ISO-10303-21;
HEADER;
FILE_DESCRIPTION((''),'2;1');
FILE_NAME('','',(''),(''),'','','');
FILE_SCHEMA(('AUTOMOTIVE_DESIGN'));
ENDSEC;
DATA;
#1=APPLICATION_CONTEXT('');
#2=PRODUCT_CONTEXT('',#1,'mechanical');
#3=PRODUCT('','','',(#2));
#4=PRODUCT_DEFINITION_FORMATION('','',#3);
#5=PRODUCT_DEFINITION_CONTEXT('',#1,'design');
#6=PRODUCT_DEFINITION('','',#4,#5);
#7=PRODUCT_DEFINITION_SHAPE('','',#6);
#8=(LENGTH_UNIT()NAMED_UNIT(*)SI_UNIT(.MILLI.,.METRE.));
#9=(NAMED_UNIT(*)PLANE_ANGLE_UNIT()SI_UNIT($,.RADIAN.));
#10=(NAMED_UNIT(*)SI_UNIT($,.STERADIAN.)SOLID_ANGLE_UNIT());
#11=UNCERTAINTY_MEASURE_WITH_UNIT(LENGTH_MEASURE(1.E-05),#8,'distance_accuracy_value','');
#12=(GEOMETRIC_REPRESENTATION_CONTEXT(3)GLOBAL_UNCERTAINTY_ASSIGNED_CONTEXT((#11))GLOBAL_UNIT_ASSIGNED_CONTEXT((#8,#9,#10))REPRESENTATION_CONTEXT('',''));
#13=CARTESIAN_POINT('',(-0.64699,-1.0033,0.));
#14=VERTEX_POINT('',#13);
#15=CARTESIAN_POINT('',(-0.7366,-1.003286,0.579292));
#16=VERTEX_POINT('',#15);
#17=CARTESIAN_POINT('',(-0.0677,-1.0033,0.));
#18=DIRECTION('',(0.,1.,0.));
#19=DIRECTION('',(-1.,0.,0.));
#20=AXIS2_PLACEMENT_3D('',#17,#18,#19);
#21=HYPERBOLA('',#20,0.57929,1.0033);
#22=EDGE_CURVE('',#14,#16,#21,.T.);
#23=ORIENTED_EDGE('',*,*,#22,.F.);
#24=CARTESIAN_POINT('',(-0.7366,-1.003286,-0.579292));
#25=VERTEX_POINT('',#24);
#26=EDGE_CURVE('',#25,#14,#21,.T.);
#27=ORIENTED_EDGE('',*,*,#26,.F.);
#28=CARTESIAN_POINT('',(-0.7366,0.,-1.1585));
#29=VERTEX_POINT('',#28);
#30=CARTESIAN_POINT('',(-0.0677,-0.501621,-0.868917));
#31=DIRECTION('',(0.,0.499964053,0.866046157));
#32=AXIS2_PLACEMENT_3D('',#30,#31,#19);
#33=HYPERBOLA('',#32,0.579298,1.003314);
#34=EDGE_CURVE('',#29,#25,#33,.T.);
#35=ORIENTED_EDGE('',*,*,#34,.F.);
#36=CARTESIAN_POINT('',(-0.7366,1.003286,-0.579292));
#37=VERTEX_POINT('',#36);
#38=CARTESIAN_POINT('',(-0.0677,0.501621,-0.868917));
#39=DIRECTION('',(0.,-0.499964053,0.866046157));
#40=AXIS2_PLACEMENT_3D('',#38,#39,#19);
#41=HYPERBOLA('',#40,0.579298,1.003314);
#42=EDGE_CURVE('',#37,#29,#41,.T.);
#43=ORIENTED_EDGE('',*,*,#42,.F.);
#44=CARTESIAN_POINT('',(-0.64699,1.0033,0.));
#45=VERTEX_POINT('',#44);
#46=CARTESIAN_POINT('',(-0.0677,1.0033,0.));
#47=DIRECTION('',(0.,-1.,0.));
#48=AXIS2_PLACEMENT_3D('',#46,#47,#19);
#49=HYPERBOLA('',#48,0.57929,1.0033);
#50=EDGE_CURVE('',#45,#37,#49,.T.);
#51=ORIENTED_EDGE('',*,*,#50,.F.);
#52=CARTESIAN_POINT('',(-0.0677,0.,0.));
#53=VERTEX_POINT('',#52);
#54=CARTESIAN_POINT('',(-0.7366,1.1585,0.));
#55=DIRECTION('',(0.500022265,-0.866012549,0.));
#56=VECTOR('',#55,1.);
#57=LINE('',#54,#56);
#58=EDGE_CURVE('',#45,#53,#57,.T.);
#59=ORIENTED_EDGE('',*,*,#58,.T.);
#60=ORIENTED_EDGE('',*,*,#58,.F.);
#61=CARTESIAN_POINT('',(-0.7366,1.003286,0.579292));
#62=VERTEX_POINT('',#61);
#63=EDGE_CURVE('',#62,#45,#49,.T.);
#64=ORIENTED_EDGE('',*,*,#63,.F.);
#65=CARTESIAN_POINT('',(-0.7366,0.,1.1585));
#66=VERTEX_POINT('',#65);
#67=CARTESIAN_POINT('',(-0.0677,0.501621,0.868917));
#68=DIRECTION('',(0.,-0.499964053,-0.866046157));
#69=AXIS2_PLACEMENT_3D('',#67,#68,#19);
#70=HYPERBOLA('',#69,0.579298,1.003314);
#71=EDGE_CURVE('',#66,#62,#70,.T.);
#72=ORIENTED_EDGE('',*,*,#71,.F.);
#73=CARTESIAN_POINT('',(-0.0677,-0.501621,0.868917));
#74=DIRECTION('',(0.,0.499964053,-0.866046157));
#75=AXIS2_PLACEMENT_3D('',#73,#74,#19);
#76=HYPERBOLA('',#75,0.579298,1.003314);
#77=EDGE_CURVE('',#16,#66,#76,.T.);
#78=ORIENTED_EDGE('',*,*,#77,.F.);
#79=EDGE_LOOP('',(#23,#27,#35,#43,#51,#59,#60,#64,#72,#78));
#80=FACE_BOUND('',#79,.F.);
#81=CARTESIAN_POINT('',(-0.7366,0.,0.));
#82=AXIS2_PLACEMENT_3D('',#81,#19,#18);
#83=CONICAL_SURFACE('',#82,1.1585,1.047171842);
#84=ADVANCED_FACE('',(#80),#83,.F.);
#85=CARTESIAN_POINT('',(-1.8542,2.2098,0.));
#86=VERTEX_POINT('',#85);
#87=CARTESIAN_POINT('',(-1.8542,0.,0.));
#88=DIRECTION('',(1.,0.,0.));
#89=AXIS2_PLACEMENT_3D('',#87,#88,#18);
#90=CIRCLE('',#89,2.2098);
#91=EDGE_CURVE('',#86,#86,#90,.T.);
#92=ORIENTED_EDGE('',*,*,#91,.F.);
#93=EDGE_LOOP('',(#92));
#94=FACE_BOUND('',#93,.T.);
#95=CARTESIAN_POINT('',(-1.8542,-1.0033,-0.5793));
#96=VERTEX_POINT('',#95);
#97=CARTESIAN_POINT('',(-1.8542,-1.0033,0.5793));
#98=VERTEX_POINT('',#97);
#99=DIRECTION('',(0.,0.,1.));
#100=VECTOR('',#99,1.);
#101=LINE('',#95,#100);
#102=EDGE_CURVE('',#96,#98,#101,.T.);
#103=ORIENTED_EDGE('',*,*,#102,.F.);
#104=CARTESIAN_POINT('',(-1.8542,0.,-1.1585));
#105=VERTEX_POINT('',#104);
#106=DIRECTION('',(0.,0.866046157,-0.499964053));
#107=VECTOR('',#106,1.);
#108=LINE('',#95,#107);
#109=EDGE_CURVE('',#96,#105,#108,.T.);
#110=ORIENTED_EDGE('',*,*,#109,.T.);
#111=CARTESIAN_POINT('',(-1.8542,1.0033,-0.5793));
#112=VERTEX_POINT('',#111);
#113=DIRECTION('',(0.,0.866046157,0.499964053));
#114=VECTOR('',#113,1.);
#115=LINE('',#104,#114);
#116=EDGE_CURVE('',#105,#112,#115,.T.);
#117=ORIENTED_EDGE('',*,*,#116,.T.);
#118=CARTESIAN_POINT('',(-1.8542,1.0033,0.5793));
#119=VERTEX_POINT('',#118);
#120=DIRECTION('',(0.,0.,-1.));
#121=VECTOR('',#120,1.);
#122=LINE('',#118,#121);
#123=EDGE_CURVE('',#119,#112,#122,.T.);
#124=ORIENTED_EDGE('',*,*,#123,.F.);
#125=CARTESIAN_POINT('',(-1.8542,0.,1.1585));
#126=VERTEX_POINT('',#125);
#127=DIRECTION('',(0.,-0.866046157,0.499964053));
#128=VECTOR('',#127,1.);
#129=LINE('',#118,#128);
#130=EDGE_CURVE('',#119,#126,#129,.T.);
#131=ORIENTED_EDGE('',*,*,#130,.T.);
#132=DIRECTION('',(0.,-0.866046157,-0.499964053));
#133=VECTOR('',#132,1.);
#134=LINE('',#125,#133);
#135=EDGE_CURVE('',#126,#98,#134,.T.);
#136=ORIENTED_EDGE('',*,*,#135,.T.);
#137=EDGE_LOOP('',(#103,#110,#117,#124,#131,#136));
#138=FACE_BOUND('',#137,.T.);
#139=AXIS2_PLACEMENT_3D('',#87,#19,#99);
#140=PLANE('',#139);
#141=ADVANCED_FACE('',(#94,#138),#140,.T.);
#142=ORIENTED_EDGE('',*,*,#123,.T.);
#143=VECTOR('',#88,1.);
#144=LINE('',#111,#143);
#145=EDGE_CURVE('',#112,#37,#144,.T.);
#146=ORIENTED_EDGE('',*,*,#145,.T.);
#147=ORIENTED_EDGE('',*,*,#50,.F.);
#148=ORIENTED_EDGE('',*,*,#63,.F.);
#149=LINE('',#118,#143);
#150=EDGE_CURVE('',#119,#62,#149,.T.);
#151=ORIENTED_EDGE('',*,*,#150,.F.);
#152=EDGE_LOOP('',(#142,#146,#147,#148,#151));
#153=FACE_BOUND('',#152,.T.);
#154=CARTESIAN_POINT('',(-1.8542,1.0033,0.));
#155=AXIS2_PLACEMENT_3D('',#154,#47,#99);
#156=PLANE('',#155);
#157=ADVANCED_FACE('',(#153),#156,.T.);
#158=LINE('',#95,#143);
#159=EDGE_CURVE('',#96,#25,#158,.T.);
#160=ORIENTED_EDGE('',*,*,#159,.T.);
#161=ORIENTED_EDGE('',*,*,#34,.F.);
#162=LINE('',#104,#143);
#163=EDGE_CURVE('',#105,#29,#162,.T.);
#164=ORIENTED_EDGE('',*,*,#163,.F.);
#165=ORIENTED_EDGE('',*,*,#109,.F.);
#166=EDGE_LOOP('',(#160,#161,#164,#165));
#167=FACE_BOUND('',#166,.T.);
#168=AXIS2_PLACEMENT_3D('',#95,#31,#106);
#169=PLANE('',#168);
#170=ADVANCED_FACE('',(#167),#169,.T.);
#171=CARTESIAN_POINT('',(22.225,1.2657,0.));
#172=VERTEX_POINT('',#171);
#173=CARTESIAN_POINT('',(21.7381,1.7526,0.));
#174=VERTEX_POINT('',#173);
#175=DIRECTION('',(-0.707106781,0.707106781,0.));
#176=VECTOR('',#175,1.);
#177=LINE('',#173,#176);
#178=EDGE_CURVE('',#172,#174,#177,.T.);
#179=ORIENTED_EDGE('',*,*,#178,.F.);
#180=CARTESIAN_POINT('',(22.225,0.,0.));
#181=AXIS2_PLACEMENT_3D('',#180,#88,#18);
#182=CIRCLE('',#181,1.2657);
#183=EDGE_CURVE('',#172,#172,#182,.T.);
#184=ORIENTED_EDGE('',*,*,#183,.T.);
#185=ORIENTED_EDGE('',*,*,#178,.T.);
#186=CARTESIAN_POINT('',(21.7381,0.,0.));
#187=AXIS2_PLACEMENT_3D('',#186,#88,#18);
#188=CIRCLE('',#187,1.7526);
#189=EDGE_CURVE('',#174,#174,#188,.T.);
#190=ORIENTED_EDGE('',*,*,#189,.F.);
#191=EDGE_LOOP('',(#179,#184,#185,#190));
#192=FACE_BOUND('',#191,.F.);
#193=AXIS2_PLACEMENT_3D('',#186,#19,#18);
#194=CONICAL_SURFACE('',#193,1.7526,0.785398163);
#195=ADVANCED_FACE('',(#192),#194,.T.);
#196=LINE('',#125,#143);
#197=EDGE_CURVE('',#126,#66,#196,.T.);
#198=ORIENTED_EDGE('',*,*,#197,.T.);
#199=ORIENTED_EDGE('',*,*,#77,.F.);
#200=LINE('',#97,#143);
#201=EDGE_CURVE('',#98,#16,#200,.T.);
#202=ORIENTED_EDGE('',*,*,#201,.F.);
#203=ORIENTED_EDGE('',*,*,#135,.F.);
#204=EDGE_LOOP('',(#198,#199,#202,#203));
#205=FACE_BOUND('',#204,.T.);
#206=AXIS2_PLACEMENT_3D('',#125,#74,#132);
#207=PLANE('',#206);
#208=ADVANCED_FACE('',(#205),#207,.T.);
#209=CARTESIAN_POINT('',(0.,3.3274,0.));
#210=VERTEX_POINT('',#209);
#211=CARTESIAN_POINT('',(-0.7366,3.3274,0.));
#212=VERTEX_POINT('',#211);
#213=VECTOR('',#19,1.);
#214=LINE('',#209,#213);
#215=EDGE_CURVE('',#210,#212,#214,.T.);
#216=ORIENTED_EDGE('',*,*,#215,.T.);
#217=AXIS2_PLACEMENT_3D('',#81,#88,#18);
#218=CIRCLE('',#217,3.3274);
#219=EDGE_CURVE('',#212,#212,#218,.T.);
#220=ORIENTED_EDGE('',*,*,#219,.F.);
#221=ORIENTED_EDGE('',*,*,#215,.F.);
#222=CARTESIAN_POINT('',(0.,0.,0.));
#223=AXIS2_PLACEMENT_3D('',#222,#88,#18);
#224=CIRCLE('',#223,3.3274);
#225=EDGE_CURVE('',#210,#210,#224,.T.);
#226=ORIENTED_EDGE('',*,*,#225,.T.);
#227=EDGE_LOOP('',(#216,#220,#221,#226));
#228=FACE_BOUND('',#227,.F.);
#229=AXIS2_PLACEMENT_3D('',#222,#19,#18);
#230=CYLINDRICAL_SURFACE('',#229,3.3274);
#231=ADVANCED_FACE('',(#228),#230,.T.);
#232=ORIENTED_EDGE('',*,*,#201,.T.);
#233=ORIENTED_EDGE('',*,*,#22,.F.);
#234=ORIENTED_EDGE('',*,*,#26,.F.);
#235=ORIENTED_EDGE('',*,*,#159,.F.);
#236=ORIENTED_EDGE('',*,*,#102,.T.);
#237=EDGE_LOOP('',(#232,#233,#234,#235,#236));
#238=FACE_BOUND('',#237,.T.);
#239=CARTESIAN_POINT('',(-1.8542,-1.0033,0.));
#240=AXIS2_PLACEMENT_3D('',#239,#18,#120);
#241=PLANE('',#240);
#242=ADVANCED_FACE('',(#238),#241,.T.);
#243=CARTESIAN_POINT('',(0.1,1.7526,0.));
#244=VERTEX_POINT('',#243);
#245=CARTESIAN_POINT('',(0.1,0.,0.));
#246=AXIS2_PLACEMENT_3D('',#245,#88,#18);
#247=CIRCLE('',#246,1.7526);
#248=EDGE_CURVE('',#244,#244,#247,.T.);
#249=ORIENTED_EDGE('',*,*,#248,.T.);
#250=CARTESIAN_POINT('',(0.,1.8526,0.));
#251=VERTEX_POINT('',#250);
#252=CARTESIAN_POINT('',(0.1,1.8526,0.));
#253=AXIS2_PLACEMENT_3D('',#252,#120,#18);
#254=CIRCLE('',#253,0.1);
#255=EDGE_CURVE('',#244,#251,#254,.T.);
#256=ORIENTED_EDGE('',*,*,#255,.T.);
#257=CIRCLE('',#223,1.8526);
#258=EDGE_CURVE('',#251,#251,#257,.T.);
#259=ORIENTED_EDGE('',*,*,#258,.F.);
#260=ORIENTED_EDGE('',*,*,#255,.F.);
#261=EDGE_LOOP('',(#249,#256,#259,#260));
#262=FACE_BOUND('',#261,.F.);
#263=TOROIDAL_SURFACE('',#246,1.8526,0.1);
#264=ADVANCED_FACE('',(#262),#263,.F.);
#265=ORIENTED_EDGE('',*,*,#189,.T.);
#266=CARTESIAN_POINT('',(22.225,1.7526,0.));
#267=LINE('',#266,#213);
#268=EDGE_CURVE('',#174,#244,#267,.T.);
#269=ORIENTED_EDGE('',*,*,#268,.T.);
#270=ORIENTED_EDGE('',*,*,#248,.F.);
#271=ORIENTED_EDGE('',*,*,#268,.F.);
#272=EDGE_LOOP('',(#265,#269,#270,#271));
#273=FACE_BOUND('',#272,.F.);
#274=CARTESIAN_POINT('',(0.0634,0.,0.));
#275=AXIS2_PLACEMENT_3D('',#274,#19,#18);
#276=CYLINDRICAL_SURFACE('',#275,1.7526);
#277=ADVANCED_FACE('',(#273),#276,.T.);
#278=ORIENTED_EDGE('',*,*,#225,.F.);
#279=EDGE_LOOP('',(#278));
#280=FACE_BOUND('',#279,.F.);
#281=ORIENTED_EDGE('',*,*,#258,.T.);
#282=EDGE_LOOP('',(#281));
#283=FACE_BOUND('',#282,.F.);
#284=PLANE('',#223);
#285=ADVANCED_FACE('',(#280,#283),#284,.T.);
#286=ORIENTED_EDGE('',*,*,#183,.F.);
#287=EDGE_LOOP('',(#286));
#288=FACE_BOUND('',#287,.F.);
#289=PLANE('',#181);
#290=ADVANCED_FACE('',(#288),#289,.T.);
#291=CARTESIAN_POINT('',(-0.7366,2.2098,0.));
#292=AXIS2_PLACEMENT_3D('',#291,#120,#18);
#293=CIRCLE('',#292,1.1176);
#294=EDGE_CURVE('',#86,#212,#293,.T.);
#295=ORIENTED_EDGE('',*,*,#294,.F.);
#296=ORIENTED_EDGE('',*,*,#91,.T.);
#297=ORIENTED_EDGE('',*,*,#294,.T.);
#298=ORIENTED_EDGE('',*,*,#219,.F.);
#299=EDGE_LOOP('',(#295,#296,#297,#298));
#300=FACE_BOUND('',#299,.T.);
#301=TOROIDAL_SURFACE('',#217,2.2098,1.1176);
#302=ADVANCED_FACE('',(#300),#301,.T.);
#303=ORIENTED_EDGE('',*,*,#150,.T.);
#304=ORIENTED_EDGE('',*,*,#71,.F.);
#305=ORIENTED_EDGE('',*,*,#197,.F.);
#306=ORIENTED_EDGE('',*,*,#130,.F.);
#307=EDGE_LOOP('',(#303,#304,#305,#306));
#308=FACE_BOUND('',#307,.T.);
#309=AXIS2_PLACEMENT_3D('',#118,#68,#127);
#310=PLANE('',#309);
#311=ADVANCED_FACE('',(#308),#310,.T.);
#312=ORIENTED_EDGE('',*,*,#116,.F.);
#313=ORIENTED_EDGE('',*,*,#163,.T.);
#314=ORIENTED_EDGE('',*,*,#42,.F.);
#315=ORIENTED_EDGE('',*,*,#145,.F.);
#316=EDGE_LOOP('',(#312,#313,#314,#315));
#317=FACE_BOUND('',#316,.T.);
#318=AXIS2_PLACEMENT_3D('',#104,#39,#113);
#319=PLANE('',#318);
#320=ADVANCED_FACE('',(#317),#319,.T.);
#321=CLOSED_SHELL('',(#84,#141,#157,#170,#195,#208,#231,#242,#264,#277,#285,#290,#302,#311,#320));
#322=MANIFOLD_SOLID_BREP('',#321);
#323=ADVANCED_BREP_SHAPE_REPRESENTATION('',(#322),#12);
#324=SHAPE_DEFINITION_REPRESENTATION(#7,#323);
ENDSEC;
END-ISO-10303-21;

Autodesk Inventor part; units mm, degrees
ref_plane "YZ Plane" through (0, 0, 0) normal (1, 0, 0) x (0, 1, 0)
ref_plane "XZ Plane" through (0, 0, 0) normal (0, 1, 0) x (-1, 0, 0)
sketch "Sketch1" plane through (0, 0, 0) normal (0, 0, 1) x (1, 0, 0)
  line L0 (-0.0677, 0) -> (22.225, 0)
  line L1 (22.225, 0) -> (22.225, 1.7526)
  line L2 (22.225, 1.7526) -> (1.651, 1.7526)
  line L3 (1.651, 1.7526) -> (0.0634, 1.7526)
  line L4 (0.0634, 1.7526) -> (0, 1.7526)
  line L5 (0, 1.7526) -> (0, 3.3274)
  line L6 (0, 3.3274) -> (-1.8542, 3.3274)
  line L7 (-1.8542, 3.3274) -> (-1.8542, 1.1585)
  line L8 (-1.8542, 1.1585) -> (-0.7366, 1.1585)
  line L9 (-0.7366, 1.1585) -> (-0.0677, 0)
  line L10 (-6.67, 0) -> (27.0408, 0) projected
  line L11 (0, -0.6655) -> (0, 3.9929) projected
  line L12 (1.651, 1.7526) -> (0, 1.7526) construction
  dimension "d1" = 20.574
  dimension "d2" = 1.5876
  dimension "d3" = 1.8542
  dimension "d4" = 1.1176
  dimension "d5" = 60
  dimension "d6" = 3.5052
  dimension "d7" = 3.5052
  dimension "d8" = 2.317
  dimension "d9" = 6.6548
  dimension "d26" = 22.225
revolve "Body" add sketch "Sketch1" angle 360 about axis through (-0.0677, 0, 0) along (1, 0, 0)
sketch "Sketch2" plane through (-1.8542, 0, 0) normal (-1, 0, 0) x (0, 0, 1)
  circle A0 centre (0, 0) radius 1.1585 projected
  line L0 (0, -4.6584) -> (0, 4.6584) projected
  line L1 (-4.6584, 0) -> (4.6584, 0) projected
  line L2 (1.1585, 0) -> (0.5793, -1.0033)
  line L3 (0.5793, -1.0033) -> (-0.5793, -1.0033)
  line L4 (-0.5793, -1.0033) -> (-1.1585, 0)
  line L5 (-1.1585, 0) -> (-0.5793, 1.0033)
  line L6 (-0.5793, 1.0033) -> (0.5793, 1.0033)
  line L7 (0.5793, 1.0033) -> (1.1585, 0)
extrude "Slot" add sketch "Sketch2" against normal up to next contours L7 A0 | A0 L2 | L6 L0 A0 | A0 L0 L3 | L0 L6 A0 | A0 L3 L0 | L4 A0 | A0 L5
fillet "Fillet1" radius 1.1176 1 edges at (-1.8542, -3.3274, 0)
thread "Thread" size "6-32 UNC" class "2A" standard "ANSI Unified Screw Threads" length 20.574
chamfer "Chamfer1" distance 0.4869 distance2 0.4869 1 edges at (22.225, -1.7526, 0) measured on face at (22.225, 0.4373, -0.3874)
ref_plane "Work Plane1" through (29, 0, 0) normal (0, -1, 0) x (1, 0, 0)
fillet "Fillet2" radius 0.1 1 edges at (0, -1.7526, 0)
equation "\"d1\" = GEL"
equation "\"d3\" = KOH"
equation "\"d4\" = INTI"
equation "\"d6\" = GD"
equation "\"d7\" = BDM"
equation "\"d8\" = 1.1547 * SW"
equation "\"d9\" = KOD"
equation "\"d26\" = NLG"
equation "\"d30\" = R"
equation "\"d17\" = RR"
equation "\"d13\" = GEL"
equation "\"d15\" = -0.5 * SPD + 0.5 * GD"
equation "\"d16\" = GUL"
equation "\"GD\" = NND"
equation "\"NLG\" = 22.225"
equation "\"GEL\" = 20.574"
equation "\"KOD\" = 6.6548"
equation "\"KOH\" = 1.8542"
equation "\"INTI\" = 1.1176"
equation "\"GAL\" = 1.5875"
equation "\"GUL\" = 0.48692"
equation "\"BDM\" = NND"
equation "\"SW\" = 2.0066"
equation "\"RR\" = 1.1176"
equation "\"SPD\" = GD1"
equation "\"R\" = 0.1"
equation "\"KR\" = 4.0132"
equation "\"GD1\" = 2.53137"
equation "\"THREADDIA\" = 3.5052"
equation "\"FAWI\" = 45deg"
equation "\"KOH1\" = 1.1176"
equation "\"NND\" = 3.5052"
equation "\"TOA\" = 30deg"
equation "\"E0\" = 1.155 * SW"
properties part number "Unbrako - 6 x 7/8" material "Steel, Mild"
